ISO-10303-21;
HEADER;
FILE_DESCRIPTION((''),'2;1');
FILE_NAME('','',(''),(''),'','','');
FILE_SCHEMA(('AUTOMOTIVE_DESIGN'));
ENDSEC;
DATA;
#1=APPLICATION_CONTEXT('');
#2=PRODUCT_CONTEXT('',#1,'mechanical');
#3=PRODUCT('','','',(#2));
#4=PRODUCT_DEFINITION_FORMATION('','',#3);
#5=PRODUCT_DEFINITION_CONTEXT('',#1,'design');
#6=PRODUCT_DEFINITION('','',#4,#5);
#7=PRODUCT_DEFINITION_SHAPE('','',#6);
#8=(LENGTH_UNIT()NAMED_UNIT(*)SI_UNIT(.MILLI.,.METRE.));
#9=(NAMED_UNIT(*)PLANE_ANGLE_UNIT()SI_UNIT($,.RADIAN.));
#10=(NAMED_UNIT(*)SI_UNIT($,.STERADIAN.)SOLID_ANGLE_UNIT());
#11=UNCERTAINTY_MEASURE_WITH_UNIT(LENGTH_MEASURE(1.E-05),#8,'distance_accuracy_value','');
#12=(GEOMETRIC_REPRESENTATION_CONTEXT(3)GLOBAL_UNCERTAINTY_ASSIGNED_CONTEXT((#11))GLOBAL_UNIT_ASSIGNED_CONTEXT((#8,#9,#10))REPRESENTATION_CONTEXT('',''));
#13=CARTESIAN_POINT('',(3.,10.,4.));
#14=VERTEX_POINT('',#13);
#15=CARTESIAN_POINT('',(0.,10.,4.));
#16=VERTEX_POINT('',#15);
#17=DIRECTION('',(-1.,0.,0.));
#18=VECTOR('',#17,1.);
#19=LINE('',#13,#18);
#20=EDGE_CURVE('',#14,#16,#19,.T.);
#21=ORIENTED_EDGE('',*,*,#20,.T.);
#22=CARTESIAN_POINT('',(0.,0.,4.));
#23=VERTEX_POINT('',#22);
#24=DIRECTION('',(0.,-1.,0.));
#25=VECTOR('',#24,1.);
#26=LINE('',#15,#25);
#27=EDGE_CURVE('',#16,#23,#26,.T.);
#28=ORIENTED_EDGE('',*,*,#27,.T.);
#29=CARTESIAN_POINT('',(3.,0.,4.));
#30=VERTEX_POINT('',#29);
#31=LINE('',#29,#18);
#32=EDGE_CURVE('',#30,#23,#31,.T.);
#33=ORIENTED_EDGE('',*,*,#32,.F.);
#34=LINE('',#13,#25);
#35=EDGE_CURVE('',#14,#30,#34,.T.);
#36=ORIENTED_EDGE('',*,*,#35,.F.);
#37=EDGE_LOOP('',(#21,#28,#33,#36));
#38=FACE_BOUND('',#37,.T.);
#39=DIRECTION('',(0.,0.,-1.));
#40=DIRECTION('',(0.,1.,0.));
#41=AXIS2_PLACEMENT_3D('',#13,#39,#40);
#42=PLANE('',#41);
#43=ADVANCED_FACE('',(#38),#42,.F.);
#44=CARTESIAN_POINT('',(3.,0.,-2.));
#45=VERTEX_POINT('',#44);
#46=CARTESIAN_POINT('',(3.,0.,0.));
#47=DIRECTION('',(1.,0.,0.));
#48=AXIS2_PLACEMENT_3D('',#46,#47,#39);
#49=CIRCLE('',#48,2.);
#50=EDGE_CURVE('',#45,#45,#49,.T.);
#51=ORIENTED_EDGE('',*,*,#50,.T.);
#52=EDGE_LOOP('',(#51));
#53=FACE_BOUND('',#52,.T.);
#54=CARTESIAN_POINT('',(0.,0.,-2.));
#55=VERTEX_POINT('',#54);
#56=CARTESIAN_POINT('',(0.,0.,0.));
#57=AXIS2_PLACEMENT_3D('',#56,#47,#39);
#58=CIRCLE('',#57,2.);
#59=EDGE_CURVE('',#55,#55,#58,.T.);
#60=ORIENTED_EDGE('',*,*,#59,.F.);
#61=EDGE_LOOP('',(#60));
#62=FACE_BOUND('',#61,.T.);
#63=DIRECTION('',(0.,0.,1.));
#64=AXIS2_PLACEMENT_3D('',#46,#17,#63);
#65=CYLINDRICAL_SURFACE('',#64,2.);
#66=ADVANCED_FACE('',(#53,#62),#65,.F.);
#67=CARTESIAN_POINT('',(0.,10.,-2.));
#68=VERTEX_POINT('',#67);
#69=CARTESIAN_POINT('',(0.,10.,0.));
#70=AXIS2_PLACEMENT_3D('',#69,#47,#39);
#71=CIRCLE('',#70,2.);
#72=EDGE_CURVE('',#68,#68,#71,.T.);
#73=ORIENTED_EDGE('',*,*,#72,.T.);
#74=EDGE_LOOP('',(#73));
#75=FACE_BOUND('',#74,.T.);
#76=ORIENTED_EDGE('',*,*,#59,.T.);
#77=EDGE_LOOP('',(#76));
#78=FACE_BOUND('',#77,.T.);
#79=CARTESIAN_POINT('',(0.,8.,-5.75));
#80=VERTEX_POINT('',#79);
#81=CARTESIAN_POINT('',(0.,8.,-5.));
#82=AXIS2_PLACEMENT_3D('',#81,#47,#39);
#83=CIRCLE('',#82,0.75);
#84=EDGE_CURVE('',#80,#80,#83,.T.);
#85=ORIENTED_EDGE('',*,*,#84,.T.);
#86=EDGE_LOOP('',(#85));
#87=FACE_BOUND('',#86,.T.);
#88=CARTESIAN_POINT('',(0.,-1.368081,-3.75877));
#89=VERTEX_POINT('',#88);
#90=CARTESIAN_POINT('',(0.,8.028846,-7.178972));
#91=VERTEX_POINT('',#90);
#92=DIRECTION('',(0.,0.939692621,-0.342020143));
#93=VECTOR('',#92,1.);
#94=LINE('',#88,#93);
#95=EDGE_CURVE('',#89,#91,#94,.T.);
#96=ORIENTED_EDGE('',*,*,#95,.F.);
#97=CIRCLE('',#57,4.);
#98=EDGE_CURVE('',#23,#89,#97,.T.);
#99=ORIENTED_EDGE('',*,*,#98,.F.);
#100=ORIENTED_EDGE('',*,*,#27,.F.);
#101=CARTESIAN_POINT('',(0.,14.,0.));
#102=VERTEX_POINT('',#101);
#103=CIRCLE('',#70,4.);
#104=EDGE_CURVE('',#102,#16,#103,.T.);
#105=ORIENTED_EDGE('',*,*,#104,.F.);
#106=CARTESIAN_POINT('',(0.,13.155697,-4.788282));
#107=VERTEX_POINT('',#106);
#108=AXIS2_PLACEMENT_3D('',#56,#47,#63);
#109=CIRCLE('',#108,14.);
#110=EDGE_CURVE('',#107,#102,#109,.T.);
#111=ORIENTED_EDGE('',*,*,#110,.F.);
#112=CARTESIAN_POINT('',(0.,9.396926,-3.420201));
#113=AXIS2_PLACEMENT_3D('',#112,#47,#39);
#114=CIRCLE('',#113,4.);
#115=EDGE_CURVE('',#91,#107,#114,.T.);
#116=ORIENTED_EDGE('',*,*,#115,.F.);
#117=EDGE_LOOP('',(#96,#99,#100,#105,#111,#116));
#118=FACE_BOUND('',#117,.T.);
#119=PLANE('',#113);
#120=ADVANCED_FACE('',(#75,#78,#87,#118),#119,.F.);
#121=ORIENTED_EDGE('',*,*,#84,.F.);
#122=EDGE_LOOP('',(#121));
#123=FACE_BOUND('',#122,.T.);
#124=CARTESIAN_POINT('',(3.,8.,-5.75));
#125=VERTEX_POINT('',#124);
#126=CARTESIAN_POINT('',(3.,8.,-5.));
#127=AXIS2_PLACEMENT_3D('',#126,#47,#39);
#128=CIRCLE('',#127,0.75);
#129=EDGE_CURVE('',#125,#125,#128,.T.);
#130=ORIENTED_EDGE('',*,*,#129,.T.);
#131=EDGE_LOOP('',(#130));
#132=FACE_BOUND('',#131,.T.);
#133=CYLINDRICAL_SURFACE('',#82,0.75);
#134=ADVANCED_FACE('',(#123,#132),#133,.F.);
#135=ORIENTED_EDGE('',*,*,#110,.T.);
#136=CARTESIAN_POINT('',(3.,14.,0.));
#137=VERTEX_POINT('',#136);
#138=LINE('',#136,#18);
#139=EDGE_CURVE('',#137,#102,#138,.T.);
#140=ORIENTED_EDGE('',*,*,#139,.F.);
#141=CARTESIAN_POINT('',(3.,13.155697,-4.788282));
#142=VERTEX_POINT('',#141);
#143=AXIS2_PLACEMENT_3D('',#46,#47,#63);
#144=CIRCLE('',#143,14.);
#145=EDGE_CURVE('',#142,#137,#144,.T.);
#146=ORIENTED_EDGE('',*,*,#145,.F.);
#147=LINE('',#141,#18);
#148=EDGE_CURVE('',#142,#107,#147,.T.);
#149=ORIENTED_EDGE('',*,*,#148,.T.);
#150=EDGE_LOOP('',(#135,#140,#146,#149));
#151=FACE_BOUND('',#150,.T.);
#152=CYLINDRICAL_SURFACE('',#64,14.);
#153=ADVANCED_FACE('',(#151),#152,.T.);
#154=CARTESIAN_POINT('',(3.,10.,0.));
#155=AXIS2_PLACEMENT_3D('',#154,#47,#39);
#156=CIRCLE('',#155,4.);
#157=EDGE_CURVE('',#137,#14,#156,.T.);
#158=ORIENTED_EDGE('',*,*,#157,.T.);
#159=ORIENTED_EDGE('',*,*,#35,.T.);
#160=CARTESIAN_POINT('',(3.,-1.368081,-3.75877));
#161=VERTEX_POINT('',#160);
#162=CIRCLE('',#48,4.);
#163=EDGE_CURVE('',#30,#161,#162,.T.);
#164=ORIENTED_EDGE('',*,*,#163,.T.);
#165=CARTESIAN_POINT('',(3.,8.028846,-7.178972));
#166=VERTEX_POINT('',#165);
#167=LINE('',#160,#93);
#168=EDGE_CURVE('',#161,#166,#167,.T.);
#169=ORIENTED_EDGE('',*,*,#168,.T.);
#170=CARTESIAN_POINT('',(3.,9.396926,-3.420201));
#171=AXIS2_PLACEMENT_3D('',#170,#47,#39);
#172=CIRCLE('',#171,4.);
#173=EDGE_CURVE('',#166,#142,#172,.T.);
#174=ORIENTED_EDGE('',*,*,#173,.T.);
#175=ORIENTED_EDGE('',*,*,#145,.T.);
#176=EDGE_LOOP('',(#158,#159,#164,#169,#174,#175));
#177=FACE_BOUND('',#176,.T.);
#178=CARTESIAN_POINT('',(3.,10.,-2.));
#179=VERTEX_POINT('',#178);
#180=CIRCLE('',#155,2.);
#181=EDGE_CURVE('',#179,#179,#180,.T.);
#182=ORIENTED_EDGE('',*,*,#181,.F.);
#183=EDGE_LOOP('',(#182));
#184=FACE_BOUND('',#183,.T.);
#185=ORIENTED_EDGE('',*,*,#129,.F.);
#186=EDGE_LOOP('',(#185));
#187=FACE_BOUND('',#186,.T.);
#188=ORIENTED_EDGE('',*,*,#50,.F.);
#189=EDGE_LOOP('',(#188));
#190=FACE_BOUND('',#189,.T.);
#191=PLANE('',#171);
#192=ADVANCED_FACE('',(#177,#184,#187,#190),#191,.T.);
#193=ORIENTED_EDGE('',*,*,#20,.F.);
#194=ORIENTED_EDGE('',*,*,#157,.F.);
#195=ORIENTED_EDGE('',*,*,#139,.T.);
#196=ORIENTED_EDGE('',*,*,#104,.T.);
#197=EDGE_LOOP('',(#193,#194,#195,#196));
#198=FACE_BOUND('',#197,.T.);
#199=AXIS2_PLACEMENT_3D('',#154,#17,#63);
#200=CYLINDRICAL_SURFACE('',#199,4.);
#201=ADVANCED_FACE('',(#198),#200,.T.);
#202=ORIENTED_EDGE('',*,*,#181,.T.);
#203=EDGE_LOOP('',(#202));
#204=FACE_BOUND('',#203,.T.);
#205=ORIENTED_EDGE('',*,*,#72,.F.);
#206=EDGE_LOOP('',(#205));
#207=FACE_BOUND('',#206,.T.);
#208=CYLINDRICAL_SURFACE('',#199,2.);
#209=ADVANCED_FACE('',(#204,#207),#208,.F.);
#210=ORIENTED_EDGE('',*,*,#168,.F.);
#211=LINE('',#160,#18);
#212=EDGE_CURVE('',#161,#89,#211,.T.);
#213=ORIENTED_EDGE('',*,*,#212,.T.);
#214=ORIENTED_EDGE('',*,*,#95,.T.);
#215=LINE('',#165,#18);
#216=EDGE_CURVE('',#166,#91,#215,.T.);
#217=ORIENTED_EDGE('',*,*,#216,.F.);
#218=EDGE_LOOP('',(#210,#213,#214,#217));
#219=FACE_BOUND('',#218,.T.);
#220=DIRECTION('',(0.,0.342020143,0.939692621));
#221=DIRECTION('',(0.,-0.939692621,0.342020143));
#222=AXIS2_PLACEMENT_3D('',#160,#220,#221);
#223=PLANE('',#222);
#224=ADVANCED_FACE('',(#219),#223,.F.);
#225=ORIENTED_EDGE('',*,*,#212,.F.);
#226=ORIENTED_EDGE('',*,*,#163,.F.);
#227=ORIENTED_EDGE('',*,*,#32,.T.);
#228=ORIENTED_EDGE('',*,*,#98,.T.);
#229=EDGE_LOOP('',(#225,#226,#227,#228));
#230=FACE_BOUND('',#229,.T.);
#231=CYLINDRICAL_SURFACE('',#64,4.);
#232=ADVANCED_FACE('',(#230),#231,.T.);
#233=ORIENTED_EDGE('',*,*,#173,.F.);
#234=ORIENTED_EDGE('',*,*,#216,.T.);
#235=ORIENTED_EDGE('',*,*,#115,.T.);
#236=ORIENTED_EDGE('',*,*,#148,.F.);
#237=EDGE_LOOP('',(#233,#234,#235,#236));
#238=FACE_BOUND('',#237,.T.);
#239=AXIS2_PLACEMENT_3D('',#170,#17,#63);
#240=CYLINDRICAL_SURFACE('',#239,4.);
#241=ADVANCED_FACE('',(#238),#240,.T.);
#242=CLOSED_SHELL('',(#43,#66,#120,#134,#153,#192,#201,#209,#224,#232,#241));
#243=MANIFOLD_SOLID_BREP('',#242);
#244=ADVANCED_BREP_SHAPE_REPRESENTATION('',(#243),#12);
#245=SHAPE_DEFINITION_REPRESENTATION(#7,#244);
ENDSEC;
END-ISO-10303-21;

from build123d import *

# Parameters (mm, degrees)
SKETCH1_R           = 2
BOSS_EXTRUDE1_DEPTH = 3
SKETCH2_R           = 0.75
CUT_EXTRUDE1_DEPTH  = 17.126356976


with BuildPart() as part:
    # Sketch1 → Boss-Extrude1 (new body)
    with BuildSketch(Plane(origin=(0, 0, 0), x_dir=(0, 0, -1), z_dir=(1, 0, 0))):
        with BuildLine():
            Line((-4, 10), (-4, 0))
            ThreePointArc((-4, 0), (-0.694592711, -3.939231012), (3.758770483, -1.368080573))
            Line((3.758770483, -1.368080573), (7.178971916, 8.028845635))
            ThreePointArc((7.178971916, 8.028845635), (7.045432581, 11.087399255), (4.788282007, 13.155696691))
            ThreePointArc((4.788282007, 13.155696691), (2.431074487, 13.787308542), (0, 14))
            ThreePointArc((0, 14), (-2.828427125, 12.828427125), (-4, 10))
        make_face()
        Circle(SKETCH1_R, mode=Mode.SUBTRACT)
        with Locations((0, 10)):
            Circle(SKETCH1_R, mode=Mode.SUBTRACT)
    extrude(amount=BOSS_EXTRUDE1_DEPTH)

    # Sketch2 → Cut-Extrude1 (cut, through all)
    with BuildSketch(Plane(origin=(3, 0, 0), x_dir=(0, 0, -1), z_dir=(1, 0, 0))):
        with Locations((5, 8)):
            Circle(SKETCH2_R)
    extrude(amount=-CUT_EXTRUDE1_DEPTH, mode=Mode.SUBTRACT)


solid = part.part
